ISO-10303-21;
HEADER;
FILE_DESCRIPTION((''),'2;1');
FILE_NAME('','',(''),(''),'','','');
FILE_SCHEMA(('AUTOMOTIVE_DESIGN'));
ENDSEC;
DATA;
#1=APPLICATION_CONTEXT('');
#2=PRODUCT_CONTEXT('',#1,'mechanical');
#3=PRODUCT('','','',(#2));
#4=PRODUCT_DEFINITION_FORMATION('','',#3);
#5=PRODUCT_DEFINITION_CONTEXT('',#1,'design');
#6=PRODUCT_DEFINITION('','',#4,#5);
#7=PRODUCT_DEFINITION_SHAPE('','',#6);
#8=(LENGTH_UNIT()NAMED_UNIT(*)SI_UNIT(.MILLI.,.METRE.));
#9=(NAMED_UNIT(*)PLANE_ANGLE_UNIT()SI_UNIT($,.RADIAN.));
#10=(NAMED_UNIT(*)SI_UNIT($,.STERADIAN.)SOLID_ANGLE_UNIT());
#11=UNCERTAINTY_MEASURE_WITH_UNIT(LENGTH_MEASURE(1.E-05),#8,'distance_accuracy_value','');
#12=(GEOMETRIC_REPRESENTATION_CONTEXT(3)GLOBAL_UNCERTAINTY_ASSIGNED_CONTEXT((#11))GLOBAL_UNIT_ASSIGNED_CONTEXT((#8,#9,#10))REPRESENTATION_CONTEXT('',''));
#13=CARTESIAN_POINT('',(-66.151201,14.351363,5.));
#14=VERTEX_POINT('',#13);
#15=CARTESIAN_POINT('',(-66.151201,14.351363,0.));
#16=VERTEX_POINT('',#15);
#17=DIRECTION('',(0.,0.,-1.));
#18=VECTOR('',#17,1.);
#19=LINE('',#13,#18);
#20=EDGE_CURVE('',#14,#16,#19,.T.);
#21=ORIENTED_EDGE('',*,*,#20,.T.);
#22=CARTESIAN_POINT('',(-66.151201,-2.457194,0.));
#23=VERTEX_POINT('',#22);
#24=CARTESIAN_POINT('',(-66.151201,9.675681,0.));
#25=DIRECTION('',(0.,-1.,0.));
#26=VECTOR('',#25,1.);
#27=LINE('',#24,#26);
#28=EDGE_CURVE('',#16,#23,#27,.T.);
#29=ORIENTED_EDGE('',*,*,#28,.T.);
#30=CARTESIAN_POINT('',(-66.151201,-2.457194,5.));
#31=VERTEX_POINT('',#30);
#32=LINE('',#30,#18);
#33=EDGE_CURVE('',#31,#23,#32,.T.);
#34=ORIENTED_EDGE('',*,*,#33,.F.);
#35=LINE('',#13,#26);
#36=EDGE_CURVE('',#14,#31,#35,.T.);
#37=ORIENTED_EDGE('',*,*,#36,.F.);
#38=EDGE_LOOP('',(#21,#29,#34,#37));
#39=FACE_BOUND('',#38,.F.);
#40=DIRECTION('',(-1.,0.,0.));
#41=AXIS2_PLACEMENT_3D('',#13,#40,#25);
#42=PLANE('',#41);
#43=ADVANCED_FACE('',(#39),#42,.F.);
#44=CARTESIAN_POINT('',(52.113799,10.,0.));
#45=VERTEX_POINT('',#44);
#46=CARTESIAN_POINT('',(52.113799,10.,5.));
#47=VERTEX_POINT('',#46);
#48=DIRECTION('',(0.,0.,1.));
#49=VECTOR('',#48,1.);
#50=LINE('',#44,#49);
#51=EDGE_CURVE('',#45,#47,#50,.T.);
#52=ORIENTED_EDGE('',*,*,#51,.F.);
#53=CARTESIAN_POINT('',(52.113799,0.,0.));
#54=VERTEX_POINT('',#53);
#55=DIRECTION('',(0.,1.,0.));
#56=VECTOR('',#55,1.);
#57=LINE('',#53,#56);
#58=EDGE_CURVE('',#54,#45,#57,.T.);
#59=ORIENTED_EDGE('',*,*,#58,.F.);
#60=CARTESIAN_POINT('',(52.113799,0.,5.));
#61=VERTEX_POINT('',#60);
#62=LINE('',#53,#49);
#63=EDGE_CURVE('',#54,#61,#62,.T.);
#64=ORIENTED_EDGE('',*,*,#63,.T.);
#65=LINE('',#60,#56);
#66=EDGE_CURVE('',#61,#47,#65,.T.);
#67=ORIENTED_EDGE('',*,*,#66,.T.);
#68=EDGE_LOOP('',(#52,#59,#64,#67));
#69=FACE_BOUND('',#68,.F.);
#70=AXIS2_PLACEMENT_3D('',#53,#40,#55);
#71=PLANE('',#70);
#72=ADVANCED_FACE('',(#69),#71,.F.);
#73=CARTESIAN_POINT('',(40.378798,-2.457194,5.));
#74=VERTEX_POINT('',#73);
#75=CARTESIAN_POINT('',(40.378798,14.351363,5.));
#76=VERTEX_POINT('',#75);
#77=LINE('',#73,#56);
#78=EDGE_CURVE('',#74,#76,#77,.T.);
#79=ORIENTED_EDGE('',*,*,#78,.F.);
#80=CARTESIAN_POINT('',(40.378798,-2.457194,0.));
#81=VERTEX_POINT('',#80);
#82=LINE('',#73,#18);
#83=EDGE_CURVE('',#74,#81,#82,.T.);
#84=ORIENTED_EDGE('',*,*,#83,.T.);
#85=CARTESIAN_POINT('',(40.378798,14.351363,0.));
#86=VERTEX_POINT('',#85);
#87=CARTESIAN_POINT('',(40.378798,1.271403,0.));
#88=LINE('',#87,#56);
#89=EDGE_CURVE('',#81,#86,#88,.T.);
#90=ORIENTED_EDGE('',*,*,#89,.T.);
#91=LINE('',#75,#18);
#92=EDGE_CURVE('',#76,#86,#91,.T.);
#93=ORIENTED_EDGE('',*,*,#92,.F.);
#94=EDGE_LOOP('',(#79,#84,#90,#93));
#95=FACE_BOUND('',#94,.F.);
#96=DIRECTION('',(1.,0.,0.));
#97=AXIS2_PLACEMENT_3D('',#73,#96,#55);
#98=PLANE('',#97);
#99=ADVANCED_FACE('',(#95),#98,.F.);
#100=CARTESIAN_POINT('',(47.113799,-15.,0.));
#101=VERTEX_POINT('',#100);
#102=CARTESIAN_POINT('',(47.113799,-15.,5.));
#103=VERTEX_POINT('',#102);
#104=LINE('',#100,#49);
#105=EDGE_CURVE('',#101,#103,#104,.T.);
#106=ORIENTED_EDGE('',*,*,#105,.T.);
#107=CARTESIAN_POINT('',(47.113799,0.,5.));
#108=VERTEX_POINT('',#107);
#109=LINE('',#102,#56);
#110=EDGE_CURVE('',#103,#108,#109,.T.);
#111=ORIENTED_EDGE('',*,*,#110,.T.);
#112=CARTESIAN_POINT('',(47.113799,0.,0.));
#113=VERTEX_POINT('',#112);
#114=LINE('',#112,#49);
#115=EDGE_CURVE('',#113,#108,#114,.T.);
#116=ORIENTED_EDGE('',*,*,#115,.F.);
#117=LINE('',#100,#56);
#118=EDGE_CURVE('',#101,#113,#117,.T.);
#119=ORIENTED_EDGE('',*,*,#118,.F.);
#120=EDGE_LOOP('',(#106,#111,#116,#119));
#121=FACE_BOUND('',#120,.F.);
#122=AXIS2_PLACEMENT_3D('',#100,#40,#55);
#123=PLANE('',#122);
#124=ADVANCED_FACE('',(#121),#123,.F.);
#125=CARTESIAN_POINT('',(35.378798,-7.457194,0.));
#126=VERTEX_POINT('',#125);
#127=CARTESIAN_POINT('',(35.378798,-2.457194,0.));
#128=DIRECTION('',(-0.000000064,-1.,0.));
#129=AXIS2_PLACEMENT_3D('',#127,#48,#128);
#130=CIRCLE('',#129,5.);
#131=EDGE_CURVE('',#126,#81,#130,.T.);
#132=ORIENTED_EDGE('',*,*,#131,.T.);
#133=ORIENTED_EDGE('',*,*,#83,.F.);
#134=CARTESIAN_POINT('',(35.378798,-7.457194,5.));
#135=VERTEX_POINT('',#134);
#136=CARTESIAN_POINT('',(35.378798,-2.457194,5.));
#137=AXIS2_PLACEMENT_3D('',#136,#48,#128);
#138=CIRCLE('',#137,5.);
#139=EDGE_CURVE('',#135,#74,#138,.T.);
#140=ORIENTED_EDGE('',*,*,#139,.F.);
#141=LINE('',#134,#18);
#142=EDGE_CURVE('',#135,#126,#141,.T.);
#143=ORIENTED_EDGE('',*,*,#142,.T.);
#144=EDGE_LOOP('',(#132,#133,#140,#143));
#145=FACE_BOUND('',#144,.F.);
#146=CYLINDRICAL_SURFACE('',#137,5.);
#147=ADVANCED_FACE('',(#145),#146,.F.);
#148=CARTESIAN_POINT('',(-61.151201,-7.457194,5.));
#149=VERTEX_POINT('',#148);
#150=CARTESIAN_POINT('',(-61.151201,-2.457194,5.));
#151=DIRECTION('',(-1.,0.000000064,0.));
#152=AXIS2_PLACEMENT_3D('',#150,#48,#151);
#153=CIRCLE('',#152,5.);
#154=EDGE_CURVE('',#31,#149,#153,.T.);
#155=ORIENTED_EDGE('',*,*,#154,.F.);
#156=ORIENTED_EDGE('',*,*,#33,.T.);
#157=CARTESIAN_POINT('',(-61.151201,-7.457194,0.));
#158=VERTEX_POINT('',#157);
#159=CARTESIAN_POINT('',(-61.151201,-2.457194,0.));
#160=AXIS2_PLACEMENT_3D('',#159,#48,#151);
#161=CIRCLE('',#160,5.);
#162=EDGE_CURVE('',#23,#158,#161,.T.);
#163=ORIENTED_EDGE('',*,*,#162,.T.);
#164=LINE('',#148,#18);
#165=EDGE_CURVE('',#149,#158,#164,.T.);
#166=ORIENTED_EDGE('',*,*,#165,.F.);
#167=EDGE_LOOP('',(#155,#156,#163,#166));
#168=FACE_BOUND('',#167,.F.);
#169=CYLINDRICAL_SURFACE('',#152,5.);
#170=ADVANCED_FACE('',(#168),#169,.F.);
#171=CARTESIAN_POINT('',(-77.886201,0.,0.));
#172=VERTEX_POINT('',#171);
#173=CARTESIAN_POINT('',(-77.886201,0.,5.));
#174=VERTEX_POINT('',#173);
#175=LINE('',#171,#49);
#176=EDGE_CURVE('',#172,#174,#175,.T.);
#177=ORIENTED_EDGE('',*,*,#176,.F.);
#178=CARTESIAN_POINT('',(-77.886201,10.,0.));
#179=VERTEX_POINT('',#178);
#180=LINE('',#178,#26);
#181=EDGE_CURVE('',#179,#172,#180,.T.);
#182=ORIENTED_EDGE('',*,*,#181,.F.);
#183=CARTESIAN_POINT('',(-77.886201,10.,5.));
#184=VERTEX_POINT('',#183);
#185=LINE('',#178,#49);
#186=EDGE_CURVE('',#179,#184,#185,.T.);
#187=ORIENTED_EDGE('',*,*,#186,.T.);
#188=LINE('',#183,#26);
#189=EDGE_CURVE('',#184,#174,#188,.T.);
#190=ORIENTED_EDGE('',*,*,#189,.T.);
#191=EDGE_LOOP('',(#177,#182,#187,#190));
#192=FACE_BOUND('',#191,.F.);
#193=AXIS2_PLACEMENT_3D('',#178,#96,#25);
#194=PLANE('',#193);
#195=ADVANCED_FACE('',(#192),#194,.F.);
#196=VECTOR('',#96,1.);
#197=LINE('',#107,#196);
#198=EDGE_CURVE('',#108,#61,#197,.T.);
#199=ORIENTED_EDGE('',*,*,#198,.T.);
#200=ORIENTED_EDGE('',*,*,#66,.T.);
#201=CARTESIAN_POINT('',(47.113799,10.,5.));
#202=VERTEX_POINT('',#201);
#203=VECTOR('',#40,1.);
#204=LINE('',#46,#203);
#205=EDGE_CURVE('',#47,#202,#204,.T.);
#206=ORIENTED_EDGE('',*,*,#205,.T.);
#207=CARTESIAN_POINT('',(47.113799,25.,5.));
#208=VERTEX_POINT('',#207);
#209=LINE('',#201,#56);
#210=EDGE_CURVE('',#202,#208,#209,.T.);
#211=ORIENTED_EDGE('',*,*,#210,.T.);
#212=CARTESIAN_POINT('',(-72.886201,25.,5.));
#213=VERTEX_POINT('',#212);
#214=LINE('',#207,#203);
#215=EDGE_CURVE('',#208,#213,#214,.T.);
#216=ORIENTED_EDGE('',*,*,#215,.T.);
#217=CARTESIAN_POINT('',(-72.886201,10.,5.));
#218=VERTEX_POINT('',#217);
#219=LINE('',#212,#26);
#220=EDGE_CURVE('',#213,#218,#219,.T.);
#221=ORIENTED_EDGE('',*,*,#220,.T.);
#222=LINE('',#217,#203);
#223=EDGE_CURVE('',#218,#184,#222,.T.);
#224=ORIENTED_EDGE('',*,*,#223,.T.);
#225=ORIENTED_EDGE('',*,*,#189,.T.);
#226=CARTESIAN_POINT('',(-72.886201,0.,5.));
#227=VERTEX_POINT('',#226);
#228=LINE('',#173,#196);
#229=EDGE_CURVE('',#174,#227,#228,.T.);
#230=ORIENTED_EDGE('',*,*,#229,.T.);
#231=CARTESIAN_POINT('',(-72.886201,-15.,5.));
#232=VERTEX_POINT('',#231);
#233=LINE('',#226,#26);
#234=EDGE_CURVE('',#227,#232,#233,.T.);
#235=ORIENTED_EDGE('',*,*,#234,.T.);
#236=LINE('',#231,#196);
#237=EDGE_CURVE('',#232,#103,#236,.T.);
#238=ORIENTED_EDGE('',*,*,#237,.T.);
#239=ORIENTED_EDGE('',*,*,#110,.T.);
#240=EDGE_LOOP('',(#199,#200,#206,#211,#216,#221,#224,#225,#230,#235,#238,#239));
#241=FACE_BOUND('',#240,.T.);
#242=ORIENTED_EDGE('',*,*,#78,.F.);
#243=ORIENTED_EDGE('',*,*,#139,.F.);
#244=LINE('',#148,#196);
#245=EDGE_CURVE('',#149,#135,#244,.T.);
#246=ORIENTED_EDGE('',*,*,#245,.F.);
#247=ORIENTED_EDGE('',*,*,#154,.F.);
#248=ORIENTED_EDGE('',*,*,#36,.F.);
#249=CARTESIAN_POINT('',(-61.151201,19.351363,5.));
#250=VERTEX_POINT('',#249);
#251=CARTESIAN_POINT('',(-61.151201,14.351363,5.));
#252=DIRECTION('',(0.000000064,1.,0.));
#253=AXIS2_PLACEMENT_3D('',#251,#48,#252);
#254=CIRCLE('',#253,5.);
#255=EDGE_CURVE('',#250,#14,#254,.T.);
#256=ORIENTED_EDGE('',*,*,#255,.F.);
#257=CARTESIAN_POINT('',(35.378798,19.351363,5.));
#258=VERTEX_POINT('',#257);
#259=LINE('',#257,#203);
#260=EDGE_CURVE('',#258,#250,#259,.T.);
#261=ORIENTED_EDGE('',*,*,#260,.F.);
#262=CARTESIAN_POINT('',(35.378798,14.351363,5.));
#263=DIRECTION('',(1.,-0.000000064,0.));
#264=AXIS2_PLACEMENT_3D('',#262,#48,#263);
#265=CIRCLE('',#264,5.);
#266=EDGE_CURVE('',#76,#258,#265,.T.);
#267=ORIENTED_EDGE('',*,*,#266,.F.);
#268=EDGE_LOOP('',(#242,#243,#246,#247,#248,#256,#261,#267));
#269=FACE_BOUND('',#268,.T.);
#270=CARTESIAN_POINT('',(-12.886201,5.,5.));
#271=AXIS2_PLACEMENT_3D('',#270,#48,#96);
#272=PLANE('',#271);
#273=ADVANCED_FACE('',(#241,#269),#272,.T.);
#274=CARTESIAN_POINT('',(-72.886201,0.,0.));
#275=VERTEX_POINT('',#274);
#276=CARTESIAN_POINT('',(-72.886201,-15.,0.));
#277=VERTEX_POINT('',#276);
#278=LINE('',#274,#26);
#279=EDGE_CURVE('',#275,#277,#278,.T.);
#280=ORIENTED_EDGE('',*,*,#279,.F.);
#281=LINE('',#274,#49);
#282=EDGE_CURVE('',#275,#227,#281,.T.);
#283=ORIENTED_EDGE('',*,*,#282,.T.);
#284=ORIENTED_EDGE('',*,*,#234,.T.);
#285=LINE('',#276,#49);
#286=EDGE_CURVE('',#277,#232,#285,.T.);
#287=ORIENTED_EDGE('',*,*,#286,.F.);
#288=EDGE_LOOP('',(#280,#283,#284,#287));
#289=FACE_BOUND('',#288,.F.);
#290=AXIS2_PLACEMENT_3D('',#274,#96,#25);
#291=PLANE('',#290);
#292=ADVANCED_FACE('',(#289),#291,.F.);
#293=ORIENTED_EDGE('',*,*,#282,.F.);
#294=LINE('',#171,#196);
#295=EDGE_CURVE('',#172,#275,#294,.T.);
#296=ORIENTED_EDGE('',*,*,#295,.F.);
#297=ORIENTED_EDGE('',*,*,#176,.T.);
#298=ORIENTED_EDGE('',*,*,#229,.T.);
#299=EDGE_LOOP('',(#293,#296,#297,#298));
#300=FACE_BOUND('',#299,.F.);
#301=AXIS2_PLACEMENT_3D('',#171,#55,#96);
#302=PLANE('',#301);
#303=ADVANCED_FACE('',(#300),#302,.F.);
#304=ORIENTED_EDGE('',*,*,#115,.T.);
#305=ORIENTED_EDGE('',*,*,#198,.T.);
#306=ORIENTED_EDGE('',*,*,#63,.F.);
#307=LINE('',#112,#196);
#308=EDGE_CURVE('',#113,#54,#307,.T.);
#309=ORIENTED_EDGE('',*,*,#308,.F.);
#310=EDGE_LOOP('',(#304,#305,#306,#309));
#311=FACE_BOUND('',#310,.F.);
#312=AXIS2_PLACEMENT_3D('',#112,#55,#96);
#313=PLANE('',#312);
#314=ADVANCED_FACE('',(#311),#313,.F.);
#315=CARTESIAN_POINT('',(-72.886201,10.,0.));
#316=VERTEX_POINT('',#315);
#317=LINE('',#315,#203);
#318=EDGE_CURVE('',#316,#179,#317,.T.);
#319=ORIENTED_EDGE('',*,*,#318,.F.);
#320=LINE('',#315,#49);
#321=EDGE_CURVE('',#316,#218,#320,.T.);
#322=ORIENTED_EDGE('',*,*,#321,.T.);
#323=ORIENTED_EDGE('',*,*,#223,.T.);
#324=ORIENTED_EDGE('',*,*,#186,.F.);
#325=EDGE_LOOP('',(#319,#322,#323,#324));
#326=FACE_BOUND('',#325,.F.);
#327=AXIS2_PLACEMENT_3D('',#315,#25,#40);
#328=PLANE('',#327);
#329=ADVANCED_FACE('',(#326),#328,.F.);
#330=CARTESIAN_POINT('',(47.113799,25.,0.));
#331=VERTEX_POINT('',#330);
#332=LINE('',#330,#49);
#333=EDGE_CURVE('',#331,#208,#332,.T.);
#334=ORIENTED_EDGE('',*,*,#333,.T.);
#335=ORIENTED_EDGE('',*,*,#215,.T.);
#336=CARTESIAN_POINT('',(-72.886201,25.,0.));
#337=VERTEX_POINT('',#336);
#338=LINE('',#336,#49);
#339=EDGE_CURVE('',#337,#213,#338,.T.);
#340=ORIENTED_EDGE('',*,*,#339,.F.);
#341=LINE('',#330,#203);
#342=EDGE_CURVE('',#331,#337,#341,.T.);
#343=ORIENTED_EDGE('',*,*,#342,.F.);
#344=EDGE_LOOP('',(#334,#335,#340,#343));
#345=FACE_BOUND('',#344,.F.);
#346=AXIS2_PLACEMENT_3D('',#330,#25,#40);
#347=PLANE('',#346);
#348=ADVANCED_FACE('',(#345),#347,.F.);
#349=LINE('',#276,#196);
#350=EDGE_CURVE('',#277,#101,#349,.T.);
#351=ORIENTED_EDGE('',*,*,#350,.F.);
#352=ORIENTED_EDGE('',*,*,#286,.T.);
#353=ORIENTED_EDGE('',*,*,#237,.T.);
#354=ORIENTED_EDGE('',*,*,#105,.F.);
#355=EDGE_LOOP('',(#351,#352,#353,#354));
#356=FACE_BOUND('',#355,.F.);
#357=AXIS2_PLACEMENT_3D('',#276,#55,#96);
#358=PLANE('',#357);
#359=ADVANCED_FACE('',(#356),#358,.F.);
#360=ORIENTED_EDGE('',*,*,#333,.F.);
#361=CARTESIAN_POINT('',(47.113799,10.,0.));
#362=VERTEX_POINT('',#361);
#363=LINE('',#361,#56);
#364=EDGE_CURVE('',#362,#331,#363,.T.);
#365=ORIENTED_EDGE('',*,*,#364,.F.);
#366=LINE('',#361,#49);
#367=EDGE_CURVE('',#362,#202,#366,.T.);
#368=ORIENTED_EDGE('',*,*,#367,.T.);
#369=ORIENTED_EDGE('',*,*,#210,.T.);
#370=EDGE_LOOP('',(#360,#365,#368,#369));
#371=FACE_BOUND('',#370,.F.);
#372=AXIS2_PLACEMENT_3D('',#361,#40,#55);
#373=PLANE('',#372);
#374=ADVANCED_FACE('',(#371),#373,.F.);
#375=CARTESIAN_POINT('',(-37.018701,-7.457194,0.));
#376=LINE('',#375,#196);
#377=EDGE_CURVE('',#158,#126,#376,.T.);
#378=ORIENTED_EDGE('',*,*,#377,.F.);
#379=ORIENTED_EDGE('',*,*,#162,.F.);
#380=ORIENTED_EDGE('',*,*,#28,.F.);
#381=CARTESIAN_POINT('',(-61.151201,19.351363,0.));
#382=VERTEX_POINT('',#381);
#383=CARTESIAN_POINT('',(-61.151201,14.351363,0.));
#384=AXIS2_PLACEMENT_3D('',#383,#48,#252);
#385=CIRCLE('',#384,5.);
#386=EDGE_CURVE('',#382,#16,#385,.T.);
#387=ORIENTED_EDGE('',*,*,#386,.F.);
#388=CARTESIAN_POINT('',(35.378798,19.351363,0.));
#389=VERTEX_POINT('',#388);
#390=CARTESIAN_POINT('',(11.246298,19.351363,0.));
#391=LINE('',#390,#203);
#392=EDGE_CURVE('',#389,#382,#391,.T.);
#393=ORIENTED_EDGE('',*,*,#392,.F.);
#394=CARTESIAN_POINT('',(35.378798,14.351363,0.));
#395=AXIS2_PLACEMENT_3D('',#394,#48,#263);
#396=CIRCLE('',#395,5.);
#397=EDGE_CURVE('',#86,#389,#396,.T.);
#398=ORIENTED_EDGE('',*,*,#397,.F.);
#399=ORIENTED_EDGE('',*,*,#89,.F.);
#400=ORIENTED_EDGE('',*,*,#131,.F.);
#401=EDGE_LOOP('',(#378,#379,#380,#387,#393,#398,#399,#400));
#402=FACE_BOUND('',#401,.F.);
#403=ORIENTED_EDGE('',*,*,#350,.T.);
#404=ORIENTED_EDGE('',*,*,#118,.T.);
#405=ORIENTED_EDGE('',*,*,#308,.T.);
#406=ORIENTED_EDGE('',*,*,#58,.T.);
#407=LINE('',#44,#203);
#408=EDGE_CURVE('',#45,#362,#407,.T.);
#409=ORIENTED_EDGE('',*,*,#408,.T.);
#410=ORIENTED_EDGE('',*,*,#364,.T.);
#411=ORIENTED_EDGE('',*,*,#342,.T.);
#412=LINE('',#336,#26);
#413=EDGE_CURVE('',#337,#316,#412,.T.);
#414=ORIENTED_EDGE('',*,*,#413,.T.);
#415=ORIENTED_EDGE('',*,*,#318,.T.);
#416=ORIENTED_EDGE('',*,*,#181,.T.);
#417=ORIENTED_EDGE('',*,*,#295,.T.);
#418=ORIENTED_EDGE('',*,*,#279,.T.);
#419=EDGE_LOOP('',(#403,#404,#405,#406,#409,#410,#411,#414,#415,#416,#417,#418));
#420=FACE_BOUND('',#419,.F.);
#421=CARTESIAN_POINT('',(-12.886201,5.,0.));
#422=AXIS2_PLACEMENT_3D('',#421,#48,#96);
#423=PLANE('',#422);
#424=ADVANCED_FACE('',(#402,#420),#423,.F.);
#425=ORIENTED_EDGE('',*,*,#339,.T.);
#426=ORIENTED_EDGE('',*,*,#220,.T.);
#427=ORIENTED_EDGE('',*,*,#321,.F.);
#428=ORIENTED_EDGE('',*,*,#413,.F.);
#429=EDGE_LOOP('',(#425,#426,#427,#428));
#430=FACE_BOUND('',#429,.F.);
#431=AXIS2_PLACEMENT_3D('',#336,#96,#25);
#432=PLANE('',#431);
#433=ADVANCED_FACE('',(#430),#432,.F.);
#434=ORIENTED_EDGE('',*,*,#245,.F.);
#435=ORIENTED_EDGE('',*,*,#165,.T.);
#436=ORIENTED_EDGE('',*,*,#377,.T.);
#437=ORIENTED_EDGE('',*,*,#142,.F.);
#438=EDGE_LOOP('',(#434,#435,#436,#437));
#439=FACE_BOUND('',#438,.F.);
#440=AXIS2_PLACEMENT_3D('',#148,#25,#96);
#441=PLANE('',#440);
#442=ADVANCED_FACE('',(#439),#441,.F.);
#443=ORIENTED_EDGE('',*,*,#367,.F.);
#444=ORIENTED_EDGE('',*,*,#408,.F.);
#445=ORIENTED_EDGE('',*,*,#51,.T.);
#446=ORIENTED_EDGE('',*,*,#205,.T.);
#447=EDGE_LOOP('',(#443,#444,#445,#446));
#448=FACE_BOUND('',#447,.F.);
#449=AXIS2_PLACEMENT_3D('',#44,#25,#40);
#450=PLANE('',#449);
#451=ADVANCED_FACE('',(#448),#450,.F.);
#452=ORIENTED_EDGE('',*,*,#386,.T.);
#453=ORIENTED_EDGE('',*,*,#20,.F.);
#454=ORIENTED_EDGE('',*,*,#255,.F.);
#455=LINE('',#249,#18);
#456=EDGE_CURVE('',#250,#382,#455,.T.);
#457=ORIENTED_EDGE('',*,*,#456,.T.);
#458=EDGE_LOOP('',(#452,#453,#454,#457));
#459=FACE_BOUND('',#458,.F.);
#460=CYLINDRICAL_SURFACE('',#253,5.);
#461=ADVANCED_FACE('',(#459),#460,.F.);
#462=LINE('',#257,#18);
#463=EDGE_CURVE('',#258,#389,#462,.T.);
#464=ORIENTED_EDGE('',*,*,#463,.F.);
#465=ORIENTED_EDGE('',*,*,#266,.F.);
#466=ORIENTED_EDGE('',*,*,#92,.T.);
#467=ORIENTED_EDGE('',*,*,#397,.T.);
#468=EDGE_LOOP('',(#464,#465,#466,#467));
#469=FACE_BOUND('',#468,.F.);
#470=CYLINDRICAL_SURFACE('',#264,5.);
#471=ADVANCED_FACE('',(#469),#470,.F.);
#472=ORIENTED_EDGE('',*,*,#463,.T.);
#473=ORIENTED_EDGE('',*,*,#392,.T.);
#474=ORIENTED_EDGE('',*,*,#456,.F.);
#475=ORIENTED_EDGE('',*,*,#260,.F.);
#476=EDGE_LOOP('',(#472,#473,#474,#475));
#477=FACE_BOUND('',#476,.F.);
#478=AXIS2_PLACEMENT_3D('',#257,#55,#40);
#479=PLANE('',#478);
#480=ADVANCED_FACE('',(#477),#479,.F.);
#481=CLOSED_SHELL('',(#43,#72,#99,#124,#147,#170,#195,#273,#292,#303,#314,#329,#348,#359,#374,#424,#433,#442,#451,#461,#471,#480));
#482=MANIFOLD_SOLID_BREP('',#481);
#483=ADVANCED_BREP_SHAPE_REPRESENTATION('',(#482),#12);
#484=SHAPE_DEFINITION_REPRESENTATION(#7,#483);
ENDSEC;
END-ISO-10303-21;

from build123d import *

# Parameters (mm, degrees)
F1_DEPTH = 5
F3_DEPTH = 25


with BuildPart() as f1:
    # F0 (on Top) → F1 (new body)
    with BuildSketch(Plane.XY):
        Polygon((47.113799, 25), (-72.886201, 25), (-72.886201, 10), (-77.886201, 10), (-77.886201, 0), (-72.886201, 0), (-72.886201, -15), (47.113799, -15), (47.113799, 0), (52.113799, 0), (52.113799, 10), (47.113799, 10), align=None)
        with BuildLine():
            ThreePointArc((-62.401845, 10.947084), (-60.937379, 14.482618), (-57.401845, 15.947084))
            Line((-57.401845, 15.947084), (-27.401845, 15.947084))
            ThreePointArc((-27.401845, 15.947084), (-25.855638, 15.702002), (-24.46101, 14.990782))
            ThreePointArc((-24.46101, 14.990782), (-22.946277, 13.215985), (-22.401845, 10.947084))
            Line((-22.401845, 10.947084), (-22.401845, 0.947084))
            ThreePointArc((-22.401845, 0.947084), (-23.866311, -2.58845), (-27.401845, -4.052916))
            Line((-27.401845, -4.052916), (-57.401845, -4.052916))
            ThreePointArc((-57.401845, -4.052916), (-60.937379, -2.58845), (-62.401845, 0.947084))
            Line((-62.401845, 0.947084), (-62.401845, 10.947084))
        make_face(mode=Mode.SUBTRACT)
        with BuildLine():
            ThreePointArc((2.598155, -4.052916), (-0.937379, -2.58845), (-2.401845, 0.947084))
            Line((-2.401845, 0.947084), (-2.401845, 10.947084))
            ThreePointArc((-2.401845, 10.947084), (-0.937379, 14.482618), (2.598155, 15.947084))
            Line((2.598155, 15.947084), (32.598155, 15.947084))
            ThreePointArc((32.598155, 15.947084), (36.133689, 14.482618), (37.598155, 10.947084))
            Line((37.598155, 10.947084), (37.598155, 0.947084))
            ThreePointArc((37.598155, 0.947084), (36.133689, -2.58845), (32.598155, -4.052916))
            Line((32.598155, -4.052916), (2.598155, -4.052916))
        make_face(mode=Mode.SUBTRACT)
    extrude(amount=F1_DEPTH)

    # F2 (on face) → F3 (cut)
    with BuildSketch(Plane.XY.offset(5)):
        with BuildLine():
            ThreePointArc((40.378798, 14.351363), (38.914332, 17.886897), (35.378798, 19.351363))
            Line((35.378798, 19.351363), (-61.151201, 19.351363))
            ThreePointArc((-61.151201, 19.351363), (-64.686735, 17.886897), (-66.151201, 14.351363))
            Line((-66.151201, 14.351363), (-66.151201, -2.457194))
            ThreePointArc((-66.151201, -2.457194), (-64.686735, -5.992728), (-61.151201, -7.457194))
            Line((-61.151201, -7.457194), (35.378798, -7.457194))
            ThreePointArc((35.378798, -7.457194), (38.914332, -5.992728), (40.378798, -2.457194))
            Line((40.378798, -2.457194), (40.378798, 14.351363))
        make_face()
        with BuildLine():
            ThreePointArc((-57.401845, -4.052916), (-60.937379, -2.58845), (-62.401845, 0.947084))
            Line((-62.401845, 0.947084), (-62.401845, 10.947084))
            ThreePointArc((-62.401845, 10.947084), (-60.937379, 14.482618), (-57.401845, 15.947084))
            Line((-57.401845, 15.947084), (-27.401845, 15.947084))
            ThreePointArc((-27.401845, 15.947084), (-23.866311, 14.482618), (-22.401845, 10.947084))
            Line((-22.401845, 10.947084), (-22.401845, 0.947084))
            ThreePointArc((-22.401845, 0.947084), (-23.866311, -2.58845), (-27.401845, -4.052916))
            Line((-27.401845, -4.052916), (-57.401845, -4.052916))
        make_face(mode=Mode.SUBTRACT)
        with BuildLine():
            ThreePointArc((37.598155, 0.947084), (36.133689, -2.58845), (32.598155, -4.052916))
            Line((32.598155, -4.052916), (2.598155, -4.052916))
            ThreePointArc((2.598155, -4.052916), (-0.937379, -2.58845), (-2.401845, 0.947084))
            Line((-2.401845, 0.947084), (-2.401845, 10.947084))
            ThreePointArc((-2.401845, 10.947084), (-0.937379, 14.482618), (2.598155, 15.947084))
            Line((2.598155, 15.947084), (32.598155, 15.947084))
            ThreePointArc((32.598155, 15.947084), (36.133689, 14.482618), (37.598155, 10.947084))
            Line((37.598155, 10.947084), (37.598155, 0.947084))
        make_face(mode=Mode.SUBTRACT)
    extrude(amount=-F3_DEPTH, mode=Mode.SUBTRACT)


solid = f1.part
